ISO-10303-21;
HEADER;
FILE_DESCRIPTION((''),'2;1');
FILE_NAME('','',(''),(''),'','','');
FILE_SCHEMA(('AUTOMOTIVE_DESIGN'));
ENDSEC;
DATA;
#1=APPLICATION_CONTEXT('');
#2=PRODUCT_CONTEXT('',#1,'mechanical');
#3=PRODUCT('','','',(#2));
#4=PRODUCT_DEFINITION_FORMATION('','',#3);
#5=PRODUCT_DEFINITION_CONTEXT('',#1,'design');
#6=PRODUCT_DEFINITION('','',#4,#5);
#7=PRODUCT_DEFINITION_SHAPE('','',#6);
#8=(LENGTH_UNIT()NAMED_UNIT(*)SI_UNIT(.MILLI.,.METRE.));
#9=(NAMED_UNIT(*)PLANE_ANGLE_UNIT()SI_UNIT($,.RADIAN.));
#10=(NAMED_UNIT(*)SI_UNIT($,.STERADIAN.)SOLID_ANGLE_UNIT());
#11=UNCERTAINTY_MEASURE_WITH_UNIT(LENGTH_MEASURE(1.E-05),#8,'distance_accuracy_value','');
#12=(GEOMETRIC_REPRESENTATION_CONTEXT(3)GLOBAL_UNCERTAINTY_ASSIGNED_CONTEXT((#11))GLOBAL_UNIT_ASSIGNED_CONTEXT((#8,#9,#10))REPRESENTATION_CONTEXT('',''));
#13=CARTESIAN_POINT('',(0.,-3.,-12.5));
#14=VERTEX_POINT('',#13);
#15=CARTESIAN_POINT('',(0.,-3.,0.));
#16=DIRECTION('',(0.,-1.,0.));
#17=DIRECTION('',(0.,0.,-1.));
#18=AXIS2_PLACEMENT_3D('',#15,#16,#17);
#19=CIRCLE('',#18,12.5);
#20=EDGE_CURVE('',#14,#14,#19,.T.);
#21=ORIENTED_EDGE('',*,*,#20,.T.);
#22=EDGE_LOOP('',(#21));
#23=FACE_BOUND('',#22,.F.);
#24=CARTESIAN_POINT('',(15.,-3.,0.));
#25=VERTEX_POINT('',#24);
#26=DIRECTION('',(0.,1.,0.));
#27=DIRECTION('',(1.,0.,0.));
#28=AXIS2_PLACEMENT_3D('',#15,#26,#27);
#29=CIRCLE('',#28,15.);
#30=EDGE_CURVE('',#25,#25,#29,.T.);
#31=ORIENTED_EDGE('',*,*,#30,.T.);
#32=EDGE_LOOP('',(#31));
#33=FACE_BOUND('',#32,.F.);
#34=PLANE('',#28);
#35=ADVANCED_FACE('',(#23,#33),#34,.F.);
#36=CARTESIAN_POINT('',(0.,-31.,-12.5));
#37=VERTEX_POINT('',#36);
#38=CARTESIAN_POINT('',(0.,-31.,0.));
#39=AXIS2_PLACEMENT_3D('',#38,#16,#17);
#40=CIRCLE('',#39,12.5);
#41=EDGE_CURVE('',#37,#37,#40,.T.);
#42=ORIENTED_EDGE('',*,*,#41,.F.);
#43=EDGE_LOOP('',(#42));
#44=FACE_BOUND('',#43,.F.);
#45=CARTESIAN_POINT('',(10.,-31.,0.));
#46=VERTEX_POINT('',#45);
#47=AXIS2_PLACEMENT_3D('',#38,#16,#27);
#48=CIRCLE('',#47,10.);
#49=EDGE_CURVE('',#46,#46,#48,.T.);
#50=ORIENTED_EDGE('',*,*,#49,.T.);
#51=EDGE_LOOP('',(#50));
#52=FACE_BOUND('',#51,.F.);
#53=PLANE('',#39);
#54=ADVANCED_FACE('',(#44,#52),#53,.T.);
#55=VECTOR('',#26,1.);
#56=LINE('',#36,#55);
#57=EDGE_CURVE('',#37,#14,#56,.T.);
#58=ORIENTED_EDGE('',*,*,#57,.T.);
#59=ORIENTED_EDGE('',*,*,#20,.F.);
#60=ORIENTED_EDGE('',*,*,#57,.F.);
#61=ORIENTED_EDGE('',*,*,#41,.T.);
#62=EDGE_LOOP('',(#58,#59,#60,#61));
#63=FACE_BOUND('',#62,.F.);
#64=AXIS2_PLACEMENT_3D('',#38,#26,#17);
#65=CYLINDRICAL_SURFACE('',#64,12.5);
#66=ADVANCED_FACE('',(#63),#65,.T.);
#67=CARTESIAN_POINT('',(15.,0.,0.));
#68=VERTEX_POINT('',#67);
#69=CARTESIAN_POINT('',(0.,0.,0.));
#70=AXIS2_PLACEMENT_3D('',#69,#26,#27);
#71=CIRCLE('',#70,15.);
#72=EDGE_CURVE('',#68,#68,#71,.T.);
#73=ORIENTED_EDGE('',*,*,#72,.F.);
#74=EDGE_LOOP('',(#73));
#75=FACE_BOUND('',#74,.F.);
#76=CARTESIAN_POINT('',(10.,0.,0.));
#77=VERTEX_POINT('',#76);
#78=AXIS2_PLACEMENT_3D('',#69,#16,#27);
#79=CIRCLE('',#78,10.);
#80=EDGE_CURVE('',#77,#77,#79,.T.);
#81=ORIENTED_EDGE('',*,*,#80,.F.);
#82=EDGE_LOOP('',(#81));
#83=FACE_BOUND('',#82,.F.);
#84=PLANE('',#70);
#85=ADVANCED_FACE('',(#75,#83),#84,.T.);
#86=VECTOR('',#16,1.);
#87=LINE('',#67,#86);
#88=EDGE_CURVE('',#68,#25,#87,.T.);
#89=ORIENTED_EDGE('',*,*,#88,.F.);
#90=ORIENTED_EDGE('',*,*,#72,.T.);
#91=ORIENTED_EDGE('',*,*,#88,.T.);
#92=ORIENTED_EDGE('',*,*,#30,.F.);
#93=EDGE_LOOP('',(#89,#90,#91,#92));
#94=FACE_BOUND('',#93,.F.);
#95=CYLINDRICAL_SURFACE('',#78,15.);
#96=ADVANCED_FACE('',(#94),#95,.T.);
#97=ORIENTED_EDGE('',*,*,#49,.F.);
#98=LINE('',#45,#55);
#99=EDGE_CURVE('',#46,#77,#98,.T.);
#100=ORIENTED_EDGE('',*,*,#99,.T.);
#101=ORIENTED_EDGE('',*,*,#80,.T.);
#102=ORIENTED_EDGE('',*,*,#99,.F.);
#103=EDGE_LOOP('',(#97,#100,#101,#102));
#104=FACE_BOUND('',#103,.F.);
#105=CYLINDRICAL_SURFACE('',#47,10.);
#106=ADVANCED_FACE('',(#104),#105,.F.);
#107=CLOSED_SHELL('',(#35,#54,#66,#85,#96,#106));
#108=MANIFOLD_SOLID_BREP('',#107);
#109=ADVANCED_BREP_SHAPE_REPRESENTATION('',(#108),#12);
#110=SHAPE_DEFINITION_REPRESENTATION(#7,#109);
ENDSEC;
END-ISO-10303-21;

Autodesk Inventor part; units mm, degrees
ref_plane "YZ Plane" through (0, 0, 0) normal (1, 0, 0) x (0, 1, 0)
ref_plane "XZ Plane" through (0, 0, 0) normal (0, 1, 0) x (-1, 0, 0)
ref_plane "XY Plane" through (0, 0, 0) normal (0, 0, 1) x (1, 0, 0)
sketch "Sketch1" plane through (0, 0, 0) normal (0, 0, 1) x (1, 0, 0)
  line L0 (0, 0) -> (15, 0)
  line L1 (15, 0) -> (15, -3)
  line L2 (15, -3) -> (0, -3)
  line L3 (0, -3) -> (0, 0)
  dimension "d0" = 15
  dimension "d1" = 3
revolve "Revolution1" add sketch "Sketch1" angle 360 about axis through (0, -3, 0) along (0, 1, 0)
sketch "Sketch2" plane through (0, 0, 0) normal (1, 0, 0) x (0, 1, 0)
  line L0 (-3, -15) -> (-3, 15) projected
  line L1 (-3, 0) -> (-31, 0)
  line L2 (-31, 0) -> (-31, -12.5)
  line L3 (-31, -12.5) -> (-3, -12.5)
  line L4 (-3, -12.5) -> (-3, 0)
  point P0 (0, 0)
  point P1 (-3, -12.5)
  dimension "d3" = 28
  dimension "d4" = 12.5
revolve "Revolution2" add sketch "Sketch2" angle 360 about axis through (0, -3, 0) along (0, -1, 0)
sketch "Sketch3" plane through (0, -31, 0) normal (0, -1, 0) x (1, 0, 0)
  circle A0 centre (0, 0) radius 10
  dimension "d6" = 20
extrude "Extrusion1" cut sketch "Sketch3" against normal blind 31
properties part number "PlateSpacers" material "Gold"
